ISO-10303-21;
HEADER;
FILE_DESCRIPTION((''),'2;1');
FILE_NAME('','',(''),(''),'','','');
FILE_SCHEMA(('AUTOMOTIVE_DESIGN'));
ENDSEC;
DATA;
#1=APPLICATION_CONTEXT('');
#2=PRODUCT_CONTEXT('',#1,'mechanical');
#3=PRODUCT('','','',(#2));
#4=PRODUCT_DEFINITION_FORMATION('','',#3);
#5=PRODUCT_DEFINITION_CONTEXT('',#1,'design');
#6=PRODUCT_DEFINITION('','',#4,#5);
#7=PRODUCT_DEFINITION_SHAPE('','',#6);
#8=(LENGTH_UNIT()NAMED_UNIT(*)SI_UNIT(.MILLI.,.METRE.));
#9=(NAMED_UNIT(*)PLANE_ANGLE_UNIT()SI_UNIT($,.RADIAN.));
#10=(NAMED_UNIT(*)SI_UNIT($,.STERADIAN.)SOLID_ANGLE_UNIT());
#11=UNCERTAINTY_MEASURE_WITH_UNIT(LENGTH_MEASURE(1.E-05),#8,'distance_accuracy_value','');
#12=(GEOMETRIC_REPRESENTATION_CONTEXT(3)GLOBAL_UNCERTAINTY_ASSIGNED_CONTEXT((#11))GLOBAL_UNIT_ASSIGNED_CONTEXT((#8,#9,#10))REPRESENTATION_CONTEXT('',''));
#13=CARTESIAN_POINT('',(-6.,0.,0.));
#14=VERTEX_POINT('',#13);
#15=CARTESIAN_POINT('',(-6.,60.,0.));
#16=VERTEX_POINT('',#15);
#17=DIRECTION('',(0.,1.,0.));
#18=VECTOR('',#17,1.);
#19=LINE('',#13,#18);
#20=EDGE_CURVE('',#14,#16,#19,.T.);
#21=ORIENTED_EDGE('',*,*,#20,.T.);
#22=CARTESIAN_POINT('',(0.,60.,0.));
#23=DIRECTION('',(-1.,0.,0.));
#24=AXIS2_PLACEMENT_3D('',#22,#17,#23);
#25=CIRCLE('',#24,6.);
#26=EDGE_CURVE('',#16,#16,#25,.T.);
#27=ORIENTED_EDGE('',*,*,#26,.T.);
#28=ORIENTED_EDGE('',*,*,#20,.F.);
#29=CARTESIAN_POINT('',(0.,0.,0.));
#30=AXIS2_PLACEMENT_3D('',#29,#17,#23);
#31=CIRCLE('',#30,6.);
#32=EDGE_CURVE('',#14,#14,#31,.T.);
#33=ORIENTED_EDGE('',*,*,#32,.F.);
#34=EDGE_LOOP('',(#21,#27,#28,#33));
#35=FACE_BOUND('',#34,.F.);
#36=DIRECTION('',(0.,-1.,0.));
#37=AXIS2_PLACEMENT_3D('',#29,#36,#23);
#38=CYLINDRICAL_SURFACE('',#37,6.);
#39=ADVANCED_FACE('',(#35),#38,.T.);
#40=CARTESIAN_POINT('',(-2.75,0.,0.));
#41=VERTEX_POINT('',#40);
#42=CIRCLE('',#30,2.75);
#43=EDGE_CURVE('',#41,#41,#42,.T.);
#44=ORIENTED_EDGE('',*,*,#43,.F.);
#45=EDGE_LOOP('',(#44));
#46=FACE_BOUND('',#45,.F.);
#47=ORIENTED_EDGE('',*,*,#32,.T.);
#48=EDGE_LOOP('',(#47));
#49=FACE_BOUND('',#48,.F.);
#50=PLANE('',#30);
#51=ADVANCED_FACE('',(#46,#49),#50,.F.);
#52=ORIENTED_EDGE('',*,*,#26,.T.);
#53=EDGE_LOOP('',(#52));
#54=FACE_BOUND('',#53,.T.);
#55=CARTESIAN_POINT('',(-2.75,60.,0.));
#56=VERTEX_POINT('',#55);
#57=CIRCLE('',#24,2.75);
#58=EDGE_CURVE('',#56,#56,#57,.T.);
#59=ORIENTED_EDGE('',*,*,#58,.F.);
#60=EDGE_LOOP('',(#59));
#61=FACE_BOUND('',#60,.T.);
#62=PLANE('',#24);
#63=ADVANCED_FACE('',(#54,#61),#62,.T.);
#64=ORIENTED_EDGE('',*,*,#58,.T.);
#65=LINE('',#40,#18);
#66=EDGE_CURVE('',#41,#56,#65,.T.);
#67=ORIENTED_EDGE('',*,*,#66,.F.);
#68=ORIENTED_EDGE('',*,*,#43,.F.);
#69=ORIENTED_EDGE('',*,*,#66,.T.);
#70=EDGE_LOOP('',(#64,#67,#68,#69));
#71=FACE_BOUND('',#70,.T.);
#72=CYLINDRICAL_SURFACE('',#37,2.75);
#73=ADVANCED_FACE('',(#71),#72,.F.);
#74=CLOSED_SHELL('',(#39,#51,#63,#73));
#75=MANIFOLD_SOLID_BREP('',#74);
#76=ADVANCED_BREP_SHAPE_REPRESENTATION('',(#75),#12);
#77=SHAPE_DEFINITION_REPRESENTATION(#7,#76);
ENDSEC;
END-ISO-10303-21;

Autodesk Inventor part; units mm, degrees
ref_plane "YZ Plane" through (0, 0, 0) normal (1, 0, 0) x (0, 1, 0)
ref_plane "XZ Plane" through (0, 0, 0) normal (0, 1, 0) x (-1, 0, 0)
ref_plane "XY Plane" through (0, 0, 0) normal (0, 0, 1) x (1, 0, 0)
sketch "Szkic1" plane through (0, 0, 0) normal (0, 1, 0) x (-1, 0, 0)
  circle A0 centre (0, 0) radius 2.75
  circle A1 centre (0, 0) radius 6
  dimension "d0" = 5.5
  dimension "d1" = 12
extrude "Wyciągnięcie proste1" add sketch "Szkic1" along normal blind 60
properties part number "connektor"
